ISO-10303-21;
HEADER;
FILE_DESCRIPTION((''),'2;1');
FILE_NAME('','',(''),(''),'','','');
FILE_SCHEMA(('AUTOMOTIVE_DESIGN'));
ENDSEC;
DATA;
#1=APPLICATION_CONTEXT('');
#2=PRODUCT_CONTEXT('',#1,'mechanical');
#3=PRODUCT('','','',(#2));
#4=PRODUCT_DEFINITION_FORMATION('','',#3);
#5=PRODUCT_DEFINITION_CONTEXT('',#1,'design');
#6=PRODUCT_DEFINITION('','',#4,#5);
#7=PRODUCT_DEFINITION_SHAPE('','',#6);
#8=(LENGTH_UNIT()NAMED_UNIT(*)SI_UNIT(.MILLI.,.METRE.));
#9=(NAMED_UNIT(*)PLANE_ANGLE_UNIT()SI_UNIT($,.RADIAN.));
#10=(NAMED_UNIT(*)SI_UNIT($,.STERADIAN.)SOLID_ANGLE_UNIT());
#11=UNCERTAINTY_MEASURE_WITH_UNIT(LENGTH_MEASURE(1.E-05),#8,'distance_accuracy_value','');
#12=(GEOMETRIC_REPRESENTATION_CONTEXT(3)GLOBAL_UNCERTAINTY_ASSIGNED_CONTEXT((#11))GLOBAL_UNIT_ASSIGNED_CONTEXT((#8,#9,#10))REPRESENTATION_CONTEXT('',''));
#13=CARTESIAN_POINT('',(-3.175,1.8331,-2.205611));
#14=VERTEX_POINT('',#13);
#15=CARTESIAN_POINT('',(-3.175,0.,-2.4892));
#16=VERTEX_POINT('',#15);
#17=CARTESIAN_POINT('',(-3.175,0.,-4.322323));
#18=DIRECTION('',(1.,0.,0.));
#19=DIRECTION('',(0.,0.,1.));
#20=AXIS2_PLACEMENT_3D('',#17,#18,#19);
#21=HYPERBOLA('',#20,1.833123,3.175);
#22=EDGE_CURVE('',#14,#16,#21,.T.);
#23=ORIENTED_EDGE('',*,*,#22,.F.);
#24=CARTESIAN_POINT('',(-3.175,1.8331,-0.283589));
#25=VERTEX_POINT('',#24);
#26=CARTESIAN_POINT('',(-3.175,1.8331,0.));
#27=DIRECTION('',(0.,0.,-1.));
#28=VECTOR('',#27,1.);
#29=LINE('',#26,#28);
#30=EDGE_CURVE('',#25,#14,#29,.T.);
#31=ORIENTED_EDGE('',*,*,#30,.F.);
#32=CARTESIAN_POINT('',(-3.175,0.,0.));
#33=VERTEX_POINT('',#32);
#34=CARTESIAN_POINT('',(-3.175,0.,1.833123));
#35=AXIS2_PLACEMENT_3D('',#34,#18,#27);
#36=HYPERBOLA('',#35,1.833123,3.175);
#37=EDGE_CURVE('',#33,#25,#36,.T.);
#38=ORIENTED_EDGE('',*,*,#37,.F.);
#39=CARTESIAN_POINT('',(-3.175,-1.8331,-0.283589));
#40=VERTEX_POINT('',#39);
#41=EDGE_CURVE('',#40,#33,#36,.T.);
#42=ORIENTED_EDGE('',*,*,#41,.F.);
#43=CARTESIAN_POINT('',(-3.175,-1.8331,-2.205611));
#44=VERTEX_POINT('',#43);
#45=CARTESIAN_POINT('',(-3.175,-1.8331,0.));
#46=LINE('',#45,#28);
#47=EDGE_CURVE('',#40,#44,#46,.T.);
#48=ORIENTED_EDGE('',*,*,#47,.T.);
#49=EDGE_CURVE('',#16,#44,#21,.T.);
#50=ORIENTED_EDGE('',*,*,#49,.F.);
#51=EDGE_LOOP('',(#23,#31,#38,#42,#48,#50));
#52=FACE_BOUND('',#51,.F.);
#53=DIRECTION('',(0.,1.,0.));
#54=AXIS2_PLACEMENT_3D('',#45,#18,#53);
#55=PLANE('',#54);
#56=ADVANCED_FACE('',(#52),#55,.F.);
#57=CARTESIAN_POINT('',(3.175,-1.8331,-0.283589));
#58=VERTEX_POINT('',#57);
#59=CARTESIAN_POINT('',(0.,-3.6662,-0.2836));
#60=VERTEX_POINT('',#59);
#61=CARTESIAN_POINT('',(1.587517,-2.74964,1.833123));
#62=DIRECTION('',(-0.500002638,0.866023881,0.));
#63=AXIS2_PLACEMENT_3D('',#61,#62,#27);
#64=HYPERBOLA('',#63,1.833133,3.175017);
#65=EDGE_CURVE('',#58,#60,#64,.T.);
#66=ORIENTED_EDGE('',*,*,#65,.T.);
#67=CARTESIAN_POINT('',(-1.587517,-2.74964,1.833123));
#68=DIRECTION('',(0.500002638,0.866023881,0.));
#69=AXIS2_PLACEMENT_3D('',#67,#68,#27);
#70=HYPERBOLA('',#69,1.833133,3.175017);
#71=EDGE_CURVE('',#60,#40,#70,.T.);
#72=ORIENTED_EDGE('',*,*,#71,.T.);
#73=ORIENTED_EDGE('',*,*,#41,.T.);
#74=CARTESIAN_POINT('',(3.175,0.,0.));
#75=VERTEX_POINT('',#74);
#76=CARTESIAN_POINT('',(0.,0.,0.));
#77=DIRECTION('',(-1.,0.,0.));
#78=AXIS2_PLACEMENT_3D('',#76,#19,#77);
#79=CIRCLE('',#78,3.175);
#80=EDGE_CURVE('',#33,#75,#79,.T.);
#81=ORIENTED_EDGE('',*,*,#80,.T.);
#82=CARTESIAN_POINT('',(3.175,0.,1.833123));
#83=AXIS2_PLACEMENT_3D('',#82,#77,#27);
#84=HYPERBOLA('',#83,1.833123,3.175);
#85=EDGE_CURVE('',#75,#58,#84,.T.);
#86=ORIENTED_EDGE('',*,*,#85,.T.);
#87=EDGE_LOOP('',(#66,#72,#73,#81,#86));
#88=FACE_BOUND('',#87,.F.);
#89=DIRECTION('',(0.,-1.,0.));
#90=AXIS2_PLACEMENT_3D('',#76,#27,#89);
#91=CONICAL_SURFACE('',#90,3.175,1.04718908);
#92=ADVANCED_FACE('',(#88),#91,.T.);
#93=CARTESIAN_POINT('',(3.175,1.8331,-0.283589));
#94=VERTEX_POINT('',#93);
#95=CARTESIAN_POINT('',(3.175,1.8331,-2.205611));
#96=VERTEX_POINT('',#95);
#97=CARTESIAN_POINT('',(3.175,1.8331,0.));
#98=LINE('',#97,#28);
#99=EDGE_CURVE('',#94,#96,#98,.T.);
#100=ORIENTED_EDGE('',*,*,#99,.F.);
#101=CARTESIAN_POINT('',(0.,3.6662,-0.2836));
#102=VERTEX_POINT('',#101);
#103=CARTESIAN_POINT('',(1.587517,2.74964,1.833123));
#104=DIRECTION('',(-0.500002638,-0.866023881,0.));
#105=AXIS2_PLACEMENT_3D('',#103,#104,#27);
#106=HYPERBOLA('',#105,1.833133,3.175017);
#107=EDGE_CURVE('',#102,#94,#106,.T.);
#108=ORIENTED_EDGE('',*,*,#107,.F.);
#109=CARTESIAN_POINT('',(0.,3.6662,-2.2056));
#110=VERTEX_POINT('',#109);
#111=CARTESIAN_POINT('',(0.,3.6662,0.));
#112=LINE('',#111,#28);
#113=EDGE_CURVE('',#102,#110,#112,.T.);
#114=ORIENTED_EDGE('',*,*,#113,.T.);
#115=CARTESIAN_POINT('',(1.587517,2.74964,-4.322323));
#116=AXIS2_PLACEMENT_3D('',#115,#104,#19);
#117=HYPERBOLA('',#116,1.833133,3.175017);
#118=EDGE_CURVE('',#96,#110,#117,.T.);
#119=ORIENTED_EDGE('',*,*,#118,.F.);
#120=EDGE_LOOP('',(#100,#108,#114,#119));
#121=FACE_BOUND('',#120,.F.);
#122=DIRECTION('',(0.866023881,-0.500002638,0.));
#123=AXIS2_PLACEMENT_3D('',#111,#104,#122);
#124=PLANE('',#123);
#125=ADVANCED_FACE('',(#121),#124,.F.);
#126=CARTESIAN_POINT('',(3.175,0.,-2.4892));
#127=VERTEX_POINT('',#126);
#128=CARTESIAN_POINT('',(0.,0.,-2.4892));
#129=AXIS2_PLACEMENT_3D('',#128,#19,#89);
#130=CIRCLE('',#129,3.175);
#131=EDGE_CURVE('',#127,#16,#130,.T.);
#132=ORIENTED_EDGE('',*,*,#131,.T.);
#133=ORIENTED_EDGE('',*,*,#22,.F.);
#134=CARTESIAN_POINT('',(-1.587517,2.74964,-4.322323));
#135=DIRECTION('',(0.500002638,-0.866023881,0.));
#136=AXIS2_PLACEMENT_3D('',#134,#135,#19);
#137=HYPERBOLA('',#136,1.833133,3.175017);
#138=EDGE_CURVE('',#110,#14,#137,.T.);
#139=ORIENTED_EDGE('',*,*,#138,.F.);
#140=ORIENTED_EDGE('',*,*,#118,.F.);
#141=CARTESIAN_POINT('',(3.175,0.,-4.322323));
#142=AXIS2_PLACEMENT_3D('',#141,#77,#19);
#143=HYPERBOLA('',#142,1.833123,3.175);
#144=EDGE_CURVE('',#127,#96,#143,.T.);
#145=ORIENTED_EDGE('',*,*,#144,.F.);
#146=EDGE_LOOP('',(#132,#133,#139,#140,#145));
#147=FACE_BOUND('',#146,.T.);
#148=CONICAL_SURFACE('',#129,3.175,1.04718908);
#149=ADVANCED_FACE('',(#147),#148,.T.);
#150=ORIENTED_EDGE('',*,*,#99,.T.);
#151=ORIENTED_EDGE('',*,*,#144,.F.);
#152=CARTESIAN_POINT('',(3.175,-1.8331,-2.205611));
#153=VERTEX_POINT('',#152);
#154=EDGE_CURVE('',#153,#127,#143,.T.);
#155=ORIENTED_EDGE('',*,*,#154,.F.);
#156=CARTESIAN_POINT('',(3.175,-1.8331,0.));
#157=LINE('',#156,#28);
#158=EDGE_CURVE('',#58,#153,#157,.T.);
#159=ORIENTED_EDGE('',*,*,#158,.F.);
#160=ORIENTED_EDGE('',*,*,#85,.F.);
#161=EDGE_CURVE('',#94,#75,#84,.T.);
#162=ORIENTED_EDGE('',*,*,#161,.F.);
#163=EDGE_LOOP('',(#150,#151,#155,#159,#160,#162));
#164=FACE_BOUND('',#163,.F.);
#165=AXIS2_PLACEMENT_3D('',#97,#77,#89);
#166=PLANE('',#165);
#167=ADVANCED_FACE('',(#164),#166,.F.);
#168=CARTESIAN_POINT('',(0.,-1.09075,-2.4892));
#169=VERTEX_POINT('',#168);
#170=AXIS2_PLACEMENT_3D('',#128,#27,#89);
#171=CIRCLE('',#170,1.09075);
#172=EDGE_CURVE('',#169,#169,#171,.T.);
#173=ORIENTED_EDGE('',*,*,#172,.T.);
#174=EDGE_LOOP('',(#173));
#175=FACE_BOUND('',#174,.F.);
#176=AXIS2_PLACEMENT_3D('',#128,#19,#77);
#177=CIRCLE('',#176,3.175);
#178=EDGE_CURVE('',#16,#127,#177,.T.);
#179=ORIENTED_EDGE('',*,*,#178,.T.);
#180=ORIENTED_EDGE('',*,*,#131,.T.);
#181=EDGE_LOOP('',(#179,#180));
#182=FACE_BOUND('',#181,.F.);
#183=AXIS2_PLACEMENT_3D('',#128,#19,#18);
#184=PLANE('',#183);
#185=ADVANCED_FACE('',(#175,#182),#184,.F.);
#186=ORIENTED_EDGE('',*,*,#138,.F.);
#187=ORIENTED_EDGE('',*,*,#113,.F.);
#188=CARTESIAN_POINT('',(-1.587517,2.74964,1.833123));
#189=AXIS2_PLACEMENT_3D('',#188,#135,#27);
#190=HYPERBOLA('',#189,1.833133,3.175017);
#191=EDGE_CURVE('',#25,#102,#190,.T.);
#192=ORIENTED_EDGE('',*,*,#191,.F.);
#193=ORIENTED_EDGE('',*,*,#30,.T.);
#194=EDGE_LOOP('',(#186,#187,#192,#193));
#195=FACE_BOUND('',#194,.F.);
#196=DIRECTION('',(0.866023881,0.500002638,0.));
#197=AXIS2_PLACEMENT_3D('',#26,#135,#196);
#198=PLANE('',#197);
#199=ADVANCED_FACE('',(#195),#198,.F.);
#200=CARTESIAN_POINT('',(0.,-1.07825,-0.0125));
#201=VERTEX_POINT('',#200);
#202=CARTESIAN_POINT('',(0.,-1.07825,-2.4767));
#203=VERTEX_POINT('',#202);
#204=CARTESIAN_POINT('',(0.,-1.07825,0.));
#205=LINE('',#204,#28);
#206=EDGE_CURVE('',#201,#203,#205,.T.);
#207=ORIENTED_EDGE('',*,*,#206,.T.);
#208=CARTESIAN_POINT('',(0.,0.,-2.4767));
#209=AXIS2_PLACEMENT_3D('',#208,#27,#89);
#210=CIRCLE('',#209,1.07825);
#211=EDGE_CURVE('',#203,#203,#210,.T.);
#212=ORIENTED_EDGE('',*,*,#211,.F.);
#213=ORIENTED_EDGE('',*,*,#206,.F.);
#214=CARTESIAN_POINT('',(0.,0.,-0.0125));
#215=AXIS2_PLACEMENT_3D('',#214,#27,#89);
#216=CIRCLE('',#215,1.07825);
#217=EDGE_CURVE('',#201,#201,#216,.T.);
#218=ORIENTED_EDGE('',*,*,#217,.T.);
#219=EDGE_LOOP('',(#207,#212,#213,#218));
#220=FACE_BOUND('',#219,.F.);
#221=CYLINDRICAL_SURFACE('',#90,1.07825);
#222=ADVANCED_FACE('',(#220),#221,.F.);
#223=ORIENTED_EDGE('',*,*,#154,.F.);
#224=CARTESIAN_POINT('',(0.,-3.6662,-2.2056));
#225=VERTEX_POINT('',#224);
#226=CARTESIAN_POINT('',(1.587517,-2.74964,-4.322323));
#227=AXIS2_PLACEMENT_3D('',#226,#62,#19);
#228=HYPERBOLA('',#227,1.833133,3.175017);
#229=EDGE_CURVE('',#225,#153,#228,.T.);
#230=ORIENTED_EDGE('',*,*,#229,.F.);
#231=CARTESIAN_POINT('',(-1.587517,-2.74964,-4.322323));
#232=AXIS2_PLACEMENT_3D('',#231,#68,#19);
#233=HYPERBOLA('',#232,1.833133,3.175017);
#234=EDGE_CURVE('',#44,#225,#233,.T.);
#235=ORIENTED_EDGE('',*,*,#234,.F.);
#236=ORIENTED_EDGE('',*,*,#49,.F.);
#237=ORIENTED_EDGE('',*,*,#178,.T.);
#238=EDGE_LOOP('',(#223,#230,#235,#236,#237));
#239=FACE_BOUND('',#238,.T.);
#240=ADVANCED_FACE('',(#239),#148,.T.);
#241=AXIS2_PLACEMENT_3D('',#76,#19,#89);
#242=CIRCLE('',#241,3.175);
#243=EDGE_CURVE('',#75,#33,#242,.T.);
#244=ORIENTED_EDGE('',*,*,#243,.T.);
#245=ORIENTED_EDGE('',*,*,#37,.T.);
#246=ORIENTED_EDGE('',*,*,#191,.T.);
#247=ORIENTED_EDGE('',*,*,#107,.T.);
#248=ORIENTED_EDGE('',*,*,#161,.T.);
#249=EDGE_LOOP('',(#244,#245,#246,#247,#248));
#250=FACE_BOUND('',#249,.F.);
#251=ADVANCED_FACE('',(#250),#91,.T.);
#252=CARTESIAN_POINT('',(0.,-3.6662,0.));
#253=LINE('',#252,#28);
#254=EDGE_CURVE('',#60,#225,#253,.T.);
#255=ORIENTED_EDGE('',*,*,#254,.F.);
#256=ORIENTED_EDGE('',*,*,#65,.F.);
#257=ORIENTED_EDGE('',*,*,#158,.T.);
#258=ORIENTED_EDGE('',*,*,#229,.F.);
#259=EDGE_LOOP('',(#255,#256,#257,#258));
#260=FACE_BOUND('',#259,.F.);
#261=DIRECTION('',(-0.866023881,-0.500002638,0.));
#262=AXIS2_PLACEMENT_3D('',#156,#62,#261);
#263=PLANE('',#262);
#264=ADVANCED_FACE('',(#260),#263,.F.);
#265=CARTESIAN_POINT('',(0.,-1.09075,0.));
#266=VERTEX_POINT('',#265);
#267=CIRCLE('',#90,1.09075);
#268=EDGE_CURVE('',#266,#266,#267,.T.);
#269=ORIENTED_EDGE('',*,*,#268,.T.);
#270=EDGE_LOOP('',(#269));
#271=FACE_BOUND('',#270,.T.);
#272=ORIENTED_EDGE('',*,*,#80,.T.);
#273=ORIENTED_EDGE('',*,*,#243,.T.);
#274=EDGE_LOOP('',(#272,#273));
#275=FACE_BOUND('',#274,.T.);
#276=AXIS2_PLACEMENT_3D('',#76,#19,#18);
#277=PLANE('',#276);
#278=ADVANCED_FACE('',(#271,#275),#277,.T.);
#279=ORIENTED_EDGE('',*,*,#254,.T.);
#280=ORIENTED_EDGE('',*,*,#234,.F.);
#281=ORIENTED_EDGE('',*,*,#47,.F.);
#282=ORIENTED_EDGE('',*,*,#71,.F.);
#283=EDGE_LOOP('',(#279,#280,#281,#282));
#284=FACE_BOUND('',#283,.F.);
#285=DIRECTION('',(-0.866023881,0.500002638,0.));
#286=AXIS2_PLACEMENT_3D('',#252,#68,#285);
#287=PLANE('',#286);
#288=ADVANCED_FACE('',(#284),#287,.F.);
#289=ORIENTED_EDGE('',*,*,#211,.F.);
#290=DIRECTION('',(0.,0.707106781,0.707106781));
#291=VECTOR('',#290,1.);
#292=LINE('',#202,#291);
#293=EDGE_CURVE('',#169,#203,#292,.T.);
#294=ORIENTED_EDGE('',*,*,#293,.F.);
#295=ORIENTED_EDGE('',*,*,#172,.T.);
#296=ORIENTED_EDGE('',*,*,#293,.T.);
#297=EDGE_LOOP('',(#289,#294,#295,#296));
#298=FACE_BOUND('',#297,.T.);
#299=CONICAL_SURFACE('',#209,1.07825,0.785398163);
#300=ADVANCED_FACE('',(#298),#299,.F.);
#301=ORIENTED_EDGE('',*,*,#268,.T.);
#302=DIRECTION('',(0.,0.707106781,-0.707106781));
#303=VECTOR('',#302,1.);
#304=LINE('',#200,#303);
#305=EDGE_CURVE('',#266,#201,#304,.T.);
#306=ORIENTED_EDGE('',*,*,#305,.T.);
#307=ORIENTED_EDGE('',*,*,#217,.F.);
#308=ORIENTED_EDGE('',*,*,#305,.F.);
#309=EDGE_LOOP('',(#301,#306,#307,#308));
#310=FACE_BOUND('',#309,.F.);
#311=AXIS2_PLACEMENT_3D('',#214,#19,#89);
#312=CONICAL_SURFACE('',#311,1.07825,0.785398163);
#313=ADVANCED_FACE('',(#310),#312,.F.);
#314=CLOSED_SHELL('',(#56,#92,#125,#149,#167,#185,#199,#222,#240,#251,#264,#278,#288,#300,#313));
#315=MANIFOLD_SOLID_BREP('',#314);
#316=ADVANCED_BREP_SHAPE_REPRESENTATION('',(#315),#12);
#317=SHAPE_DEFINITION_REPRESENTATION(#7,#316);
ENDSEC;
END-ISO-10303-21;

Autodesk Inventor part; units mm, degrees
ref_plane "YZ Plane" through (0, 0, 0) normal (1, 0, 0) x (0, 1, 0)
sketch "Sketch7" plane through (0, 0, 0) normal (0, 0, 1) x (1, 0, 0)
  circle A0 centre (0, 0) radius 3.175 construction
  line L0 (-3.175, -1.8331) -> (-3.175, 1.8331)
  line L1 (-3.175, 1.8331) -> (0, 3.6662)
  line L2 (0, 3.6662) -> (3.175, 1.8331)
  line L3 (3.175, 1.8331) -> (3.175, -1.8331)
  line L4 (3.175, -1.8331) -> (0, -3.6662)
  line L5 (0, -3.6662) -> (-3.175, -1.8331)
  dimension "d40" = 6.35
extrude "Extrusion1" add sketch "Sketch7" against normal blind 2.4892
sketch "Sketch11" plane through (0, 0, 0) normal (0, 0, 1) x (1, 0, 0)
  line L0 (0, 3.6662) -> (3.175, 1.8331) projected
  line L1 (-3.175, 1.8331) -> (0, 3.6662) projected
  line L2 (-3.175, 1.8331) -> (3.175, -1.8331) construction
  line L3 (-3.175, -1.8331) -> (3.175, 1.8331) construction
  point P0 (0, 0)
hole "Hole1" at (0, 0, 0) direction (0, 0, -1) diameter 2.1565 end through all thread size "4-40 UNC" class "2B" standard "ANSI Unified Screw Threads"
chamfer "Chamfer1" distance 0.0125 angle 45 2 edges at (0, 1.0782, 0) (0, 1.0782, -2.4892)
sketch "Sketch9" plane through (0, 0, 0) normal (1, 0, 0) x (0, 1, 0)
  line L0 (-3.6662, -2.2056) -> (-3.6662, -2.4892)
  line L1 (-3.6662, -2.4892) -> (-3.175, -2.4892)
  line L2 (-3.175, -2.4892) -> (-3.6662, -2.2056)
  line L3 (0, -2.5459) -> (0, -2.1489) projected
  line L4 (-3.6662, -2.4892) -> (-1.8331, -2.4892) projected
  dimension "d38" = 6.35
  dimension "d41" = 150
revolve "Revolution1" cut sketch "Sketch9" angle 360 about axis through (0, 0, -10) along (0, 0, 1)
sketch "Sketch10" plane through (0, 0, 0) normal (1, 0, 0) x (0, 1, 0)
  line L0 (-3.6662, -0.2836) -> (-3.6662, 0)
  line L1 (-3.6662, 0) -> (-3.175, 0)
  line L2 (-3.175, 0) -> (-3.6662, -0.2836)
  line L3 (0, -0.3403) -> (0, 0.0567) projected
  line L4 (-1.8331, 0) -> (-3.6662, 0) projected
  dimension "d45" = 6.35
  dimension "d46" = 150
revolve "Revolution2" cut sketch "Sketch10" angle 360 about axis through (0, 0, -10) along (0, 0, 1)
ref_plane "MSC_PF1" through (0, 0, 0) normal (1, 0, 0) x (0, 1, 0)
ref_plane "MSC_PT1" through (0, 0, 0) normal (0, 0, 1) x (1, 0, 0)
equation "\"d38\" = Fbas"
equation "\"d40\" = Fbas"
equation "\"d29\" = Hbas"
equation "\"d63\" = 0.5 * PTC"
equation "\"d45\" = Fbas"
equation "\"Fbas\" = 6.35"
equation "\"Hbas\" = 2.4892"
equation "\"NND\" = 2.8448"
equation "\"THREADDIA\" = NND"
equation "\"PTC\" = 0.025"
properties part number "ASME B18.6.3 - 4-40" material "Steel, Mild"
